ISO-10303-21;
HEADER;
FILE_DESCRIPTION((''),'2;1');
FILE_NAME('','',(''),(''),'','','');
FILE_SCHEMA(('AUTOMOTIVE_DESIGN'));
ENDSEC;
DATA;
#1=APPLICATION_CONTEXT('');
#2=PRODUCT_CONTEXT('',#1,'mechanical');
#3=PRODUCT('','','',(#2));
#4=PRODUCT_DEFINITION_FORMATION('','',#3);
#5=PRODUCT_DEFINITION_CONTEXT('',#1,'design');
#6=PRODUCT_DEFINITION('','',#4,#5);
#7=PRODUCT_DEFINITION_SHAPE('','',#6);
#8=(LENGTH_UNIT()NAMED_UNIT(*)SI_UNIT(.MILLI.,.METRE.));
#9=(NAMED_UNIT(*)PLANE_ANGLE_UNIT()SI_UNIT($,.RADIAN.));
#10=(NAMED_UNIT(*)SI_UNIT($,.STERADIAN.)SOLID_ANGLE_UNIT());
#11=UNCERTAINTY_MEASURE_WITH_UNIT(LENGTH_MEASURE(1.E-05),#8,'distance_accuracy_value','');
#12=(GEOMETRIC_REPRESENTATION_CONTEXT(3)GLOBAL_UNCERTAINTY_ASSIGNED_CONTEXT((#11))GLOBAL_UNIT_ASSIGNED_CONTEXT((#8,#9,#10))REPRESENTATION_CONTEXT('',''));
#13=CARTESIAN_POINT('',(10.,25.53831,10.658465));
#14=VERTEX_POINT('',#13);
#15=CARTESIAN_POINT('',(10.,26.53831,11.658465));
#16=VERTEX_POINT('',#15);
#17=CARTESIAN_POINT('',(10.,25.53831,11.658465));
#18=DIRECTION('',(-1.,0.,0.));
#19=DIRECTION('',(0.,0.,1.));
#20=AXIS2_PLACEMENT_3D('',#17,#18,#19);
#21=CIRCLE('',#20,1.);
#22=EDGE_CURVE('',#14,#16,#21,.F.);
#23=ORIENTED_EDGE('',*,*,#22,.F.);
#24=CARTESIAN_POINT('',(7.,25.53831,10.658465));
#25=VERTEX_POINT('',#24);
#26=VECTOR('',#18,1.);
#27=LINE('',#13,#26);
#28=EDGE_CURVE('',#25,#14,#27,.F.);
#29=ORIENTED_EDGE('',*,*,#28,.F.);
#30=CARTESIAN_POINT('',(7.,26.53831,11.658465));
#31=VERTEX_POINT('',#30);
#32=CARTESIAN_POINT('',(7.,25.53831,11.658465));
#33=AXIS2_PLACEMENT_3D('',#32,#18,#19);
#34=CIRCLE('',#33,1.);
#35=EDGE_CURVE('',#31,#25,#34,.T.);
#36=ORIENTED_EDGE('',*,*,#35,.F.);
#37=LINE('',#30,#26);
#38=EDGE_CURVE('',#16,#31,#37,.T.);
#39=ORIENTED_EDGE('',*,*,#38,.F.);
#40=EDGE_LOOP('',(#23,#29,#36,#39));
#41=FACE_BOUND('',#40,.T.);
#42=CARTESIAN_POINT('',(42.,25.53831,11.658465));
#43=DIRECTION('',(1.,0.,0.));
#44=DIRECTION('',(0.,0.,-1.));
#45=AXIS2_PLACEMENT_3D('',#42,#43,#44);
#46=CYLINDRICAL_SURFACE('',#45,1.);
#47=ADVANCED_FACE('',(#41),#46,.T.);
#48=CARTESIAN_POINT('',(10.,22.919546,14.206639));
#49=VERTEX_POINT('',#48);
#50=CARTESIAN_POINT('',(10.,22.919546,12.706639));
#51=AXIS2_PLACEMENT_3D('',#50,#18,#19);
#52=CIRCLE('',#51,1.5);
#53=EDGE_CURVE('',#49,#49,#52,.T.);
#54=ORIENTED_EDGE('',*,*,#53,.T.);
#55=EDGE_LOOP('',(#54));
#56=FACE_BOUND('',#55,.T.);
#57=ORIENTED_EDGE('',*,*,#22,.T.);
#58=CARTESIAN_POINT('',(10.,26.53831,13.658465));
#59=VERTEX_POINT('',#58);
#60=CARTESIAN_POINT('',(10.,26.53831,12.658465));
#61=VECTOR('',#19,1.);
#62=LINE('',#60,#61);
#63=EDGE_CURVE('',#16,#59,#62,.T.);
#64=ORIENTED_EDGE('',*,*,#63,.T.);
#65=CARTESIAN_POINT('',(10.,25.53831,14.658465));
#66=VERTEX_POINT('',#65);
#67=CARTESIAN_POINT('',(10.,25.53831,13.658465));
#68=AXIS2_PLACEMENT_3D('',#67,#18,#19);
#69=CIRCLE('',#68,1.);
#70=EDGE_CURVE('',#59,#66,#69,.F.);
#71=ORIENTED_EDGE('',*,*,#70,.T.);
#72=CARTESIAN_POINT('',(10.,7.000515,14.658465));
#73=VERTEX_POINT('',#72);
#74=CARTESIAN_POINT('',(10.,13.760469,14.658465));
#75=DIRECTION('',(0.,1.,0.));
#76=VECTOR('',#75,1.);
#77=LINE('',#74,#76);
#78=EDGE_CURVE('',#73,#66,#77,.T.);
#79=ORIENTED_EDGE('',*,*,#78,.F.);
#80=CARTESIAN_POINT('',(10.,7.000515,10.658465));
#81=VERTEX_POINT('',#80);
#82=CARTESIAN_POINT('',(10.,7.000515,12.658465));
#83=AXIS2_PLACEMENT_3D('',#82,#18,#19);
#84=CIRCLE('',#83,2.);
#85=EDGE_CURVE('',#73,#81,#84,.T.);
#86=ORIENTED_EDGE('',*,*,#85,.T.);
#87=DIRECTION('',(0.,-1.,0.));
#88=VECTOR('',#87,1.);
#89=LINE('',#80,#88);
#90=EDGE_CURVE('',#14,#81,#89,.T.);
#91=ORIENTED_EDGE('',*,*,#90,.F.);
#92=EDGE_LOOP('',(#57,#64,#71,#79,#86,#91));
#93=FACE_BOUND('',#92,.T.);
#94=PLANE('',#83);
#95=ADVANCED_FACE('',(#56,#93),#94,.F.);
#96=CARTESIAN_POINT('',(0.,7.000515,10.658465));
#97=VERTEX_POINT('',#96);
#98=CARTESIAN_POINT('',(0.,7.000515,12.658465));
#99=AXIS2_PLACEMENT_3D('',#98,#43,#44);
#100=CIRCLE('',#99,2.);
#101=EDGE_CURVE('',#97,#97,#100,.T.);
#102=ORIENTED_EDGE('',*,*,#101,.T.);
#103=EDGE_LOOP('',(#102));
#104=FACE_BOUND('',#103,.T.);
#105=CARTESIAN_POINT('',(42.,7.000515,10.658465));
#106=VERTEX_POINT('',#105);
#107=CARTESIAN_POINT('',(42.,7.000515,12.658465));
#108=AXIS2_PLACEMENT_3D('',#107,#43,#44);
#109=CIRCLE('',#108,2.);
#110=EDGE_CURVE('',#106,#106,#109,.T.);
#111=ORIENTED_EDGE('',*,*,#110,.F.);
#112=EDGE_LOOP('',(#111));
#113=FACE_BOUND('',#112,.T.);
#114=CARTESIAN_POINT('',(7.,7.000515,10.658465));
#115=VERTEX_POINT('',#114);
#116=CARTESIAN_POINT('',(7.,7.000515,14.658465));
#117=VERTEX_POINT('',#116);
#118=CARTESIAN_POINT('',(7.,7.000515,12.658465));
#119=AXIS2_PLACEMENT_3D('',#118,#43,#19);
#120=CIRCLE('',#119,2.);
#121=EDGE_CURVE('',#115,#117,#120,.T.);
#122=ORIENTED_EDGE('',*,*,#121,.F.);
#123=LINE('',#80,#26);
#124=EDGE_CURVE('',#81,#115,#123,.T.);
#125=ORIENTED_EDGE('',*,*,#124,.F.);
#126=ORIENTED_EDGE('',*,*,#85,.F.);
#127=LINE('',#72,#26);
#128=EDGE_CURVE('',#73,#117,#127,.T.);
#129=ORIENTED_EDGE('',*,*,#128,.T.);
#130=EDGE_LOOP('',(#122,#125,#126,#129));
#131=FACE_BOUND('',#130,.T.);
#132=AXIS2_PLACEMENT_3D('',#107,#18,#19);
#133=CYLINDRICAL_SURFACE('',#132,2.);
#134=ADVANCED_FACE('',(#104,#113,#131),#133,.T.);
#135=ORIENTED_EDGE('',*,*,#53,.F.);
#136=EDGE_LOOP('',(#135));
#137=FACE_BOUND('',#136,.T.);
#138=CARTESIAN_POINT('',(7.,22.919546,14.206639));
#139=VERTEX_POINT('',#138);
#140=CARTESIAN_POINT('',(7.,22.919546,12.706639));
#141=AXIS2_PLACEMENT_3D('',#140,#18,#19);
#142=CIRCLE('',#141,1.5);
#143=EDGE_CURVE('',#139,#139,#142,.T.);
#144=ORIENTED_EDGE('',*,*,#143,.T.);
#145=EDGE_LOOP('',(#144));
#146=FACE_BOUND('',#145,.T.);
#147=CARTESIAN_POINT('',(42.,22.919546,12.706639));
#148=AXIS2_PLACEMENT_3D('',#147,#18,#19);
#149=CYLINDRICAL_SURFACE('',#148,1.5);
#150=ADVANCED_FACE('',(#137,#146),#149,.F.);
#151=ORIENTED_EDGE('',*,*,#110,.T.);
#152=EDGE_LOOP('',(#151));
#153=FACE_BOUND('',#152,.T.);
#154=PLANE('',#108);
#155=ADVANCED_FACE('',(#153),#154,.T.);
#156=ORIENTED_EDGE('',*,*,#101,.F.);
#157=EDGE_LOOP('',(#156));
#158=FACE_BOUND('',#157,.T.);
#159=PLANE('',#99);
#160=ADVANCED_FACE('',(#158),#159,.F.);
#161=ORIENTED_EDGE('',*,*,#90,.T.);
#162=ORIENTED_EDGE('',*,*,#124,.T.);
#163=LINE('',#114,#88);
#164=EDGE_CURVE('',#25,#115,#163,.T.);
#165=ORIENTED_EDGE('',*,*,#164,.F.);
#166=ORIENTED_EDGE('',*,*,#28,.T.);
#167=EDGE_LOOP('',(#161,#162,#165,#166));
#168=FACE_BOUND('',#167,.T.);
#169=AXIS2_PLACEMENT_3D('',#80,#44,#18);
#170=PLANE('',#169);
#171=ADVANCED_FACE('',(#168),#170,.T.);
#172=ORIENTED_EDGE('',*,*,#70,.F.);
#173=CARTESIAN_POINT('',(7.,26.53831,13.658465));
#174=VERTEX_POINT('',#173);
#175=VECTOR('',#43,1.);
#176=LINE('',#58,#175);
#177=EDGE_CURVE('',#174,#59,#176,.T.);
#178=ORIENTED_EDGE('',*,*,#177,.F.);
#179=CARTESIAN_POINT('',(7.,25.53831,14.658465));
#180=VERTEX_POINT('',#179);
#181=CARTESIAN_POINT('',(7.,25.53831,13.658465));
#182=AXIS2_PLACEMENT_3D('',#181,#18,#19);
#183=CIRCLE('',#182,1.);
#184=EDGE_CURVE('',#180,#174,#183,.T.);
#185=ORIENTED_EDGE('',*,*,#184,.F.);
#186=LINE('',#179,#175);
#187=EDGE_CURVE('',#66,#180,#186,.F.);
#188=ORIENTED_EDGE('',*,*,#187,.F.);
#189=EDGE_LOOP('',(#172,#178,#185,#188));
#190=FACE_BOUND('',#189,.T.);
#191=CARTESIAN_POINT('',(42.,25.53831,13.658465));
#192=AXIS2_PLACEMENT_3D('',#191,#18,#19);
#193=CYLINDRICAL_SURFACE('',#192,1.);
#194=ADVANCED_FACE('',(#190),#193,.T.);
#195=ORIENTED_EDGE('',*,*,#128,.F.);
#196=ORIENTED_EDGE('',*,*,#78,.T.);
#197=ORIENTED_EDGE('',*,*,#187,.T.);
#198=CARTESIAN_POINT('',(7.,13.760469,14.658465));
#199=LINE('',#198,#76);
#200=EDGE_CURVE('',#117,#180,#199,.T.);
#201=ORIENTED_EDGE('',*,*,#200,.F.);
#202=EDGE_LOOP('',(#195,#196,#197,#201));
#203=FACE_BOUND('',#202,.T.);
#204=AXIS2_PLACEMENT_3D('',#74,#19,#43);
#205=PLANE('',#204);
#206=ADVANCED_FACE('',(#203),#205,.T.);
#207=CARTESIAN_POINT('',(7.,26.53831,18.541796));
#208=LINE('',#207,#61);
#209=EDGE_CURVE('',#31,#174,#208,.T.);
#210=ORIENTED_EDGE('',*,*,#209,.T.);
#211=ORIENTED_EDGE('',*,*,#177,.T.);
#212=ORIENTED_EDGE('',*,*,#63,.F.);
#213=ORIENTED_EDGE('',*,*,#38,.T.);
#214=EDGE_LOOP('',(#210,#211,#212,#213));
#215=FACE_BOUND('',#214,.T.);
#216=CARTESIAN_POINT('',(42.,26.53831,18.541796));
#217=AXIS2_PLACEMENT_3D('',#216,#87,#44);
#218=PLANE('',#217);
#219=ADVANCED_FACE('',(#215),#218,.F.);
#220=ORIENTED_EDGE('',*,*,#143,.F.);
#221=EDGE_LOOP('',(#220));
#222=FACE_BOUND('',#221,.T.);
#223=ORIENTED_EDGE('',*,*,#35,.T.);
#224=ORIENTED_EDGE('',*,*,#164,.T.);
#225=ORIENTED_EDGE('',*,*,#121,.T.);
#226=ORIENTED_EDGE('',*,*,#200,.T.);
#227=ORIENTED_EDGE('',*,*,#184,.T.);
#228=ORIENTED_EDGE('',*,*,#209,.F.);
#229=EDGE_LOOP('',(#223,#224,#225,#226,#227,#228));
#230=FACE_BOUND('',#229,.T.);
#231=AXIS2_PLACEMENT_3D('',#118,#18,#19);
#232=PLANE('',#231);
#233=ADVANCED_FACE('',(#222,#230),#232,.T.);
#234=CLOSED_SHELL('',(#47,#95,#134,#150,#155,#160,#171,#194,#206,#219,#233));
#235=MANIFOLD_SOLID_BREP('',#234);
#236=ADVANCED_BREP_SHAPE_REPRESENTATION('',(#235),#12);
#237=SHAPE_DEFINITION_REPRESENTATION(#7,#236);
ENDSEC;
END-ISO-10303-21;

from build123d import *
from build123d.topology import SkipClean

# Parameters (mm, degrees)
SKETCH1_R           = 2
BOSS_EXTRUDE1_DEPTH = 42
BOSS_EXTRUDE2_DEPTH = 10
CUT_EXTRUDE1_DEPTH  = 7
BOSS_EXTRUDE4_DEPTH = 3
SKETCH5_R           = 1.5
CUT_EXTRUDE3_DEPTH  = 54.708670792
SKETCH6_W           = 11.822480184
SKETCH6_H           = 12.15707868
CUT_EXTRUDE5_DEPTH  = 54.708670792
FILLET4_R           = 1
FILLET5_R           = 1


with BuildPart() as part:
    # Sketch1 → Boss-Extrude1 (new body)
    with BuildSketch(Plane(origin=(0, 0, 0), x_dir=(0, 0, -1), z_dir=(1, 0, 0))):
        with Locations(Location((-12.6584653, 7.000514901, 0), (0, 0, 180))):
            Circle(SKETCH1_R)
    extrude(amount=BOSS_EXTRUDE1_DEPTH)

    # Sketch2 → Boss-Extrude2 (add)
    with BuildSketch(Plane.ZY):
        with BuildLine():
            Line((10.6584653, 7.000514901), (10.6584653, 13.760469307))
            ThreePointArc((10.6584653, 13.760469307), (12.6584653, 15.760469307), (14.6584653, 13.760469307))
            Line((14.6584653, 13.760469307), (14.6584653, 7.000514901))
            ThreePointArc((14.6584653, 7.000514901), (12.6584653, 5.000514901), (10.6584653, 7.000514901))
        make_face()
    extrude(amount=-BOSS_EXTRUDE2_DEPTH)

    # Sketch3 → Cut-Extrude1 (cut)
    with SkipClean():  # the faces are left unmerged after this step: merging them gives an invalid solid
        with BuildSketch(Plane.ZY):
            with BuildLine():
                Line((10.6584653, 7.000514901), (10.6584653, 13.760469307))
                ThreePointArc((10.6584653, 13.760469307), (12.6584653, 15.760469307), (14.6584653, 13.760469307))
                Line((14.6584653, 13.760469307), (14.6584653, 7.000514901))
                ThreePointArc((14.6584653, 7.000514901), (12.6584653, 9.000514901), (10.6584653, 7.000514901))
            make_face()
        extrude(amount=-CUT_EXTRUDE1_DEPTH, mode=Mode.SUBTRACT)

    # Sketch4 → Boss-Extrude4 (add)
    with SkipClean():  # the faces are left unmerged after this step: merging them gives an invalid solid
        with BuildSketch(Plane.ZY.offset(-7)):
            with BuildLine():
                Line((10.6584653, 36.009876522), (10.6584653, 13.760469307))
                ThreePointArc((10.6584653, 13.760469307), (12.6584653, 15.760469307), (14.6584653, 13.760469307))
                Line((14.6584653, 13.760469307), (14.6584653, 36.009876522))
                Line((14.6584653, 36.009876522), (10.6584653, 36.009876522))
            make_face()
            with BuildLine():
                ThreePointArc((10.6584653, 36.009876522), (12.6584653, 38.009876522), (14.6584653, 36.009876522))
                Line((14.6584653, 36.009876522), (10.6584653, 36.009876522))
            make_face()
        extrude(amount=-BOSS_EXTRUDE4_DEPTH)

    # Sketch5 → Cut-Extrude3 (cut, through all)
    with SkipClean():  # the faces are left unmerged after this step: merging them gives an invalid solid
        with BuildSketch(Plane.ZY.offset(-7)):
            with Locations((12.706639089, 22.91954594)):
                Circle(SKETCH5_R)
        extrude(amount=-CUT_EXTRUDE3_DEPTH, mode=Mode.SUBTRACT)

    # Sketch6 → Cut-Extrude5 (cut, through all)
    with SkipClean():  # the faces are left unmerged after this step: merging them gives an invalid solid
        with BuildSketch(Plane.ZY.offset(-7)):
            with Locations((12.630555797, 32.616849438)):
                Rectangle(SKETCH6_W, SKETCH6_H)
        extrude(amount=-CUT_EXTRUDE5_DEPTH, mode=Mode.SUBTRACT)

    # Fillet4
    fillet4_edges = [part.edges().sort_by_distance(p)[0] for p in [
        (8.5, 26.538310098, 14.6584653),
    ]]
    fillet(fillet4_edges, radius=FILLET4_R)

    # Fillet5
    fillet5_edges = [part.edges().sort_by_distance(p)[0] for p in [
        (8.5, 26.538310098, 10.6584653),
    ]]
    fillet(fillet5_edges, radius=FILLET5_R)


solid = part.part
